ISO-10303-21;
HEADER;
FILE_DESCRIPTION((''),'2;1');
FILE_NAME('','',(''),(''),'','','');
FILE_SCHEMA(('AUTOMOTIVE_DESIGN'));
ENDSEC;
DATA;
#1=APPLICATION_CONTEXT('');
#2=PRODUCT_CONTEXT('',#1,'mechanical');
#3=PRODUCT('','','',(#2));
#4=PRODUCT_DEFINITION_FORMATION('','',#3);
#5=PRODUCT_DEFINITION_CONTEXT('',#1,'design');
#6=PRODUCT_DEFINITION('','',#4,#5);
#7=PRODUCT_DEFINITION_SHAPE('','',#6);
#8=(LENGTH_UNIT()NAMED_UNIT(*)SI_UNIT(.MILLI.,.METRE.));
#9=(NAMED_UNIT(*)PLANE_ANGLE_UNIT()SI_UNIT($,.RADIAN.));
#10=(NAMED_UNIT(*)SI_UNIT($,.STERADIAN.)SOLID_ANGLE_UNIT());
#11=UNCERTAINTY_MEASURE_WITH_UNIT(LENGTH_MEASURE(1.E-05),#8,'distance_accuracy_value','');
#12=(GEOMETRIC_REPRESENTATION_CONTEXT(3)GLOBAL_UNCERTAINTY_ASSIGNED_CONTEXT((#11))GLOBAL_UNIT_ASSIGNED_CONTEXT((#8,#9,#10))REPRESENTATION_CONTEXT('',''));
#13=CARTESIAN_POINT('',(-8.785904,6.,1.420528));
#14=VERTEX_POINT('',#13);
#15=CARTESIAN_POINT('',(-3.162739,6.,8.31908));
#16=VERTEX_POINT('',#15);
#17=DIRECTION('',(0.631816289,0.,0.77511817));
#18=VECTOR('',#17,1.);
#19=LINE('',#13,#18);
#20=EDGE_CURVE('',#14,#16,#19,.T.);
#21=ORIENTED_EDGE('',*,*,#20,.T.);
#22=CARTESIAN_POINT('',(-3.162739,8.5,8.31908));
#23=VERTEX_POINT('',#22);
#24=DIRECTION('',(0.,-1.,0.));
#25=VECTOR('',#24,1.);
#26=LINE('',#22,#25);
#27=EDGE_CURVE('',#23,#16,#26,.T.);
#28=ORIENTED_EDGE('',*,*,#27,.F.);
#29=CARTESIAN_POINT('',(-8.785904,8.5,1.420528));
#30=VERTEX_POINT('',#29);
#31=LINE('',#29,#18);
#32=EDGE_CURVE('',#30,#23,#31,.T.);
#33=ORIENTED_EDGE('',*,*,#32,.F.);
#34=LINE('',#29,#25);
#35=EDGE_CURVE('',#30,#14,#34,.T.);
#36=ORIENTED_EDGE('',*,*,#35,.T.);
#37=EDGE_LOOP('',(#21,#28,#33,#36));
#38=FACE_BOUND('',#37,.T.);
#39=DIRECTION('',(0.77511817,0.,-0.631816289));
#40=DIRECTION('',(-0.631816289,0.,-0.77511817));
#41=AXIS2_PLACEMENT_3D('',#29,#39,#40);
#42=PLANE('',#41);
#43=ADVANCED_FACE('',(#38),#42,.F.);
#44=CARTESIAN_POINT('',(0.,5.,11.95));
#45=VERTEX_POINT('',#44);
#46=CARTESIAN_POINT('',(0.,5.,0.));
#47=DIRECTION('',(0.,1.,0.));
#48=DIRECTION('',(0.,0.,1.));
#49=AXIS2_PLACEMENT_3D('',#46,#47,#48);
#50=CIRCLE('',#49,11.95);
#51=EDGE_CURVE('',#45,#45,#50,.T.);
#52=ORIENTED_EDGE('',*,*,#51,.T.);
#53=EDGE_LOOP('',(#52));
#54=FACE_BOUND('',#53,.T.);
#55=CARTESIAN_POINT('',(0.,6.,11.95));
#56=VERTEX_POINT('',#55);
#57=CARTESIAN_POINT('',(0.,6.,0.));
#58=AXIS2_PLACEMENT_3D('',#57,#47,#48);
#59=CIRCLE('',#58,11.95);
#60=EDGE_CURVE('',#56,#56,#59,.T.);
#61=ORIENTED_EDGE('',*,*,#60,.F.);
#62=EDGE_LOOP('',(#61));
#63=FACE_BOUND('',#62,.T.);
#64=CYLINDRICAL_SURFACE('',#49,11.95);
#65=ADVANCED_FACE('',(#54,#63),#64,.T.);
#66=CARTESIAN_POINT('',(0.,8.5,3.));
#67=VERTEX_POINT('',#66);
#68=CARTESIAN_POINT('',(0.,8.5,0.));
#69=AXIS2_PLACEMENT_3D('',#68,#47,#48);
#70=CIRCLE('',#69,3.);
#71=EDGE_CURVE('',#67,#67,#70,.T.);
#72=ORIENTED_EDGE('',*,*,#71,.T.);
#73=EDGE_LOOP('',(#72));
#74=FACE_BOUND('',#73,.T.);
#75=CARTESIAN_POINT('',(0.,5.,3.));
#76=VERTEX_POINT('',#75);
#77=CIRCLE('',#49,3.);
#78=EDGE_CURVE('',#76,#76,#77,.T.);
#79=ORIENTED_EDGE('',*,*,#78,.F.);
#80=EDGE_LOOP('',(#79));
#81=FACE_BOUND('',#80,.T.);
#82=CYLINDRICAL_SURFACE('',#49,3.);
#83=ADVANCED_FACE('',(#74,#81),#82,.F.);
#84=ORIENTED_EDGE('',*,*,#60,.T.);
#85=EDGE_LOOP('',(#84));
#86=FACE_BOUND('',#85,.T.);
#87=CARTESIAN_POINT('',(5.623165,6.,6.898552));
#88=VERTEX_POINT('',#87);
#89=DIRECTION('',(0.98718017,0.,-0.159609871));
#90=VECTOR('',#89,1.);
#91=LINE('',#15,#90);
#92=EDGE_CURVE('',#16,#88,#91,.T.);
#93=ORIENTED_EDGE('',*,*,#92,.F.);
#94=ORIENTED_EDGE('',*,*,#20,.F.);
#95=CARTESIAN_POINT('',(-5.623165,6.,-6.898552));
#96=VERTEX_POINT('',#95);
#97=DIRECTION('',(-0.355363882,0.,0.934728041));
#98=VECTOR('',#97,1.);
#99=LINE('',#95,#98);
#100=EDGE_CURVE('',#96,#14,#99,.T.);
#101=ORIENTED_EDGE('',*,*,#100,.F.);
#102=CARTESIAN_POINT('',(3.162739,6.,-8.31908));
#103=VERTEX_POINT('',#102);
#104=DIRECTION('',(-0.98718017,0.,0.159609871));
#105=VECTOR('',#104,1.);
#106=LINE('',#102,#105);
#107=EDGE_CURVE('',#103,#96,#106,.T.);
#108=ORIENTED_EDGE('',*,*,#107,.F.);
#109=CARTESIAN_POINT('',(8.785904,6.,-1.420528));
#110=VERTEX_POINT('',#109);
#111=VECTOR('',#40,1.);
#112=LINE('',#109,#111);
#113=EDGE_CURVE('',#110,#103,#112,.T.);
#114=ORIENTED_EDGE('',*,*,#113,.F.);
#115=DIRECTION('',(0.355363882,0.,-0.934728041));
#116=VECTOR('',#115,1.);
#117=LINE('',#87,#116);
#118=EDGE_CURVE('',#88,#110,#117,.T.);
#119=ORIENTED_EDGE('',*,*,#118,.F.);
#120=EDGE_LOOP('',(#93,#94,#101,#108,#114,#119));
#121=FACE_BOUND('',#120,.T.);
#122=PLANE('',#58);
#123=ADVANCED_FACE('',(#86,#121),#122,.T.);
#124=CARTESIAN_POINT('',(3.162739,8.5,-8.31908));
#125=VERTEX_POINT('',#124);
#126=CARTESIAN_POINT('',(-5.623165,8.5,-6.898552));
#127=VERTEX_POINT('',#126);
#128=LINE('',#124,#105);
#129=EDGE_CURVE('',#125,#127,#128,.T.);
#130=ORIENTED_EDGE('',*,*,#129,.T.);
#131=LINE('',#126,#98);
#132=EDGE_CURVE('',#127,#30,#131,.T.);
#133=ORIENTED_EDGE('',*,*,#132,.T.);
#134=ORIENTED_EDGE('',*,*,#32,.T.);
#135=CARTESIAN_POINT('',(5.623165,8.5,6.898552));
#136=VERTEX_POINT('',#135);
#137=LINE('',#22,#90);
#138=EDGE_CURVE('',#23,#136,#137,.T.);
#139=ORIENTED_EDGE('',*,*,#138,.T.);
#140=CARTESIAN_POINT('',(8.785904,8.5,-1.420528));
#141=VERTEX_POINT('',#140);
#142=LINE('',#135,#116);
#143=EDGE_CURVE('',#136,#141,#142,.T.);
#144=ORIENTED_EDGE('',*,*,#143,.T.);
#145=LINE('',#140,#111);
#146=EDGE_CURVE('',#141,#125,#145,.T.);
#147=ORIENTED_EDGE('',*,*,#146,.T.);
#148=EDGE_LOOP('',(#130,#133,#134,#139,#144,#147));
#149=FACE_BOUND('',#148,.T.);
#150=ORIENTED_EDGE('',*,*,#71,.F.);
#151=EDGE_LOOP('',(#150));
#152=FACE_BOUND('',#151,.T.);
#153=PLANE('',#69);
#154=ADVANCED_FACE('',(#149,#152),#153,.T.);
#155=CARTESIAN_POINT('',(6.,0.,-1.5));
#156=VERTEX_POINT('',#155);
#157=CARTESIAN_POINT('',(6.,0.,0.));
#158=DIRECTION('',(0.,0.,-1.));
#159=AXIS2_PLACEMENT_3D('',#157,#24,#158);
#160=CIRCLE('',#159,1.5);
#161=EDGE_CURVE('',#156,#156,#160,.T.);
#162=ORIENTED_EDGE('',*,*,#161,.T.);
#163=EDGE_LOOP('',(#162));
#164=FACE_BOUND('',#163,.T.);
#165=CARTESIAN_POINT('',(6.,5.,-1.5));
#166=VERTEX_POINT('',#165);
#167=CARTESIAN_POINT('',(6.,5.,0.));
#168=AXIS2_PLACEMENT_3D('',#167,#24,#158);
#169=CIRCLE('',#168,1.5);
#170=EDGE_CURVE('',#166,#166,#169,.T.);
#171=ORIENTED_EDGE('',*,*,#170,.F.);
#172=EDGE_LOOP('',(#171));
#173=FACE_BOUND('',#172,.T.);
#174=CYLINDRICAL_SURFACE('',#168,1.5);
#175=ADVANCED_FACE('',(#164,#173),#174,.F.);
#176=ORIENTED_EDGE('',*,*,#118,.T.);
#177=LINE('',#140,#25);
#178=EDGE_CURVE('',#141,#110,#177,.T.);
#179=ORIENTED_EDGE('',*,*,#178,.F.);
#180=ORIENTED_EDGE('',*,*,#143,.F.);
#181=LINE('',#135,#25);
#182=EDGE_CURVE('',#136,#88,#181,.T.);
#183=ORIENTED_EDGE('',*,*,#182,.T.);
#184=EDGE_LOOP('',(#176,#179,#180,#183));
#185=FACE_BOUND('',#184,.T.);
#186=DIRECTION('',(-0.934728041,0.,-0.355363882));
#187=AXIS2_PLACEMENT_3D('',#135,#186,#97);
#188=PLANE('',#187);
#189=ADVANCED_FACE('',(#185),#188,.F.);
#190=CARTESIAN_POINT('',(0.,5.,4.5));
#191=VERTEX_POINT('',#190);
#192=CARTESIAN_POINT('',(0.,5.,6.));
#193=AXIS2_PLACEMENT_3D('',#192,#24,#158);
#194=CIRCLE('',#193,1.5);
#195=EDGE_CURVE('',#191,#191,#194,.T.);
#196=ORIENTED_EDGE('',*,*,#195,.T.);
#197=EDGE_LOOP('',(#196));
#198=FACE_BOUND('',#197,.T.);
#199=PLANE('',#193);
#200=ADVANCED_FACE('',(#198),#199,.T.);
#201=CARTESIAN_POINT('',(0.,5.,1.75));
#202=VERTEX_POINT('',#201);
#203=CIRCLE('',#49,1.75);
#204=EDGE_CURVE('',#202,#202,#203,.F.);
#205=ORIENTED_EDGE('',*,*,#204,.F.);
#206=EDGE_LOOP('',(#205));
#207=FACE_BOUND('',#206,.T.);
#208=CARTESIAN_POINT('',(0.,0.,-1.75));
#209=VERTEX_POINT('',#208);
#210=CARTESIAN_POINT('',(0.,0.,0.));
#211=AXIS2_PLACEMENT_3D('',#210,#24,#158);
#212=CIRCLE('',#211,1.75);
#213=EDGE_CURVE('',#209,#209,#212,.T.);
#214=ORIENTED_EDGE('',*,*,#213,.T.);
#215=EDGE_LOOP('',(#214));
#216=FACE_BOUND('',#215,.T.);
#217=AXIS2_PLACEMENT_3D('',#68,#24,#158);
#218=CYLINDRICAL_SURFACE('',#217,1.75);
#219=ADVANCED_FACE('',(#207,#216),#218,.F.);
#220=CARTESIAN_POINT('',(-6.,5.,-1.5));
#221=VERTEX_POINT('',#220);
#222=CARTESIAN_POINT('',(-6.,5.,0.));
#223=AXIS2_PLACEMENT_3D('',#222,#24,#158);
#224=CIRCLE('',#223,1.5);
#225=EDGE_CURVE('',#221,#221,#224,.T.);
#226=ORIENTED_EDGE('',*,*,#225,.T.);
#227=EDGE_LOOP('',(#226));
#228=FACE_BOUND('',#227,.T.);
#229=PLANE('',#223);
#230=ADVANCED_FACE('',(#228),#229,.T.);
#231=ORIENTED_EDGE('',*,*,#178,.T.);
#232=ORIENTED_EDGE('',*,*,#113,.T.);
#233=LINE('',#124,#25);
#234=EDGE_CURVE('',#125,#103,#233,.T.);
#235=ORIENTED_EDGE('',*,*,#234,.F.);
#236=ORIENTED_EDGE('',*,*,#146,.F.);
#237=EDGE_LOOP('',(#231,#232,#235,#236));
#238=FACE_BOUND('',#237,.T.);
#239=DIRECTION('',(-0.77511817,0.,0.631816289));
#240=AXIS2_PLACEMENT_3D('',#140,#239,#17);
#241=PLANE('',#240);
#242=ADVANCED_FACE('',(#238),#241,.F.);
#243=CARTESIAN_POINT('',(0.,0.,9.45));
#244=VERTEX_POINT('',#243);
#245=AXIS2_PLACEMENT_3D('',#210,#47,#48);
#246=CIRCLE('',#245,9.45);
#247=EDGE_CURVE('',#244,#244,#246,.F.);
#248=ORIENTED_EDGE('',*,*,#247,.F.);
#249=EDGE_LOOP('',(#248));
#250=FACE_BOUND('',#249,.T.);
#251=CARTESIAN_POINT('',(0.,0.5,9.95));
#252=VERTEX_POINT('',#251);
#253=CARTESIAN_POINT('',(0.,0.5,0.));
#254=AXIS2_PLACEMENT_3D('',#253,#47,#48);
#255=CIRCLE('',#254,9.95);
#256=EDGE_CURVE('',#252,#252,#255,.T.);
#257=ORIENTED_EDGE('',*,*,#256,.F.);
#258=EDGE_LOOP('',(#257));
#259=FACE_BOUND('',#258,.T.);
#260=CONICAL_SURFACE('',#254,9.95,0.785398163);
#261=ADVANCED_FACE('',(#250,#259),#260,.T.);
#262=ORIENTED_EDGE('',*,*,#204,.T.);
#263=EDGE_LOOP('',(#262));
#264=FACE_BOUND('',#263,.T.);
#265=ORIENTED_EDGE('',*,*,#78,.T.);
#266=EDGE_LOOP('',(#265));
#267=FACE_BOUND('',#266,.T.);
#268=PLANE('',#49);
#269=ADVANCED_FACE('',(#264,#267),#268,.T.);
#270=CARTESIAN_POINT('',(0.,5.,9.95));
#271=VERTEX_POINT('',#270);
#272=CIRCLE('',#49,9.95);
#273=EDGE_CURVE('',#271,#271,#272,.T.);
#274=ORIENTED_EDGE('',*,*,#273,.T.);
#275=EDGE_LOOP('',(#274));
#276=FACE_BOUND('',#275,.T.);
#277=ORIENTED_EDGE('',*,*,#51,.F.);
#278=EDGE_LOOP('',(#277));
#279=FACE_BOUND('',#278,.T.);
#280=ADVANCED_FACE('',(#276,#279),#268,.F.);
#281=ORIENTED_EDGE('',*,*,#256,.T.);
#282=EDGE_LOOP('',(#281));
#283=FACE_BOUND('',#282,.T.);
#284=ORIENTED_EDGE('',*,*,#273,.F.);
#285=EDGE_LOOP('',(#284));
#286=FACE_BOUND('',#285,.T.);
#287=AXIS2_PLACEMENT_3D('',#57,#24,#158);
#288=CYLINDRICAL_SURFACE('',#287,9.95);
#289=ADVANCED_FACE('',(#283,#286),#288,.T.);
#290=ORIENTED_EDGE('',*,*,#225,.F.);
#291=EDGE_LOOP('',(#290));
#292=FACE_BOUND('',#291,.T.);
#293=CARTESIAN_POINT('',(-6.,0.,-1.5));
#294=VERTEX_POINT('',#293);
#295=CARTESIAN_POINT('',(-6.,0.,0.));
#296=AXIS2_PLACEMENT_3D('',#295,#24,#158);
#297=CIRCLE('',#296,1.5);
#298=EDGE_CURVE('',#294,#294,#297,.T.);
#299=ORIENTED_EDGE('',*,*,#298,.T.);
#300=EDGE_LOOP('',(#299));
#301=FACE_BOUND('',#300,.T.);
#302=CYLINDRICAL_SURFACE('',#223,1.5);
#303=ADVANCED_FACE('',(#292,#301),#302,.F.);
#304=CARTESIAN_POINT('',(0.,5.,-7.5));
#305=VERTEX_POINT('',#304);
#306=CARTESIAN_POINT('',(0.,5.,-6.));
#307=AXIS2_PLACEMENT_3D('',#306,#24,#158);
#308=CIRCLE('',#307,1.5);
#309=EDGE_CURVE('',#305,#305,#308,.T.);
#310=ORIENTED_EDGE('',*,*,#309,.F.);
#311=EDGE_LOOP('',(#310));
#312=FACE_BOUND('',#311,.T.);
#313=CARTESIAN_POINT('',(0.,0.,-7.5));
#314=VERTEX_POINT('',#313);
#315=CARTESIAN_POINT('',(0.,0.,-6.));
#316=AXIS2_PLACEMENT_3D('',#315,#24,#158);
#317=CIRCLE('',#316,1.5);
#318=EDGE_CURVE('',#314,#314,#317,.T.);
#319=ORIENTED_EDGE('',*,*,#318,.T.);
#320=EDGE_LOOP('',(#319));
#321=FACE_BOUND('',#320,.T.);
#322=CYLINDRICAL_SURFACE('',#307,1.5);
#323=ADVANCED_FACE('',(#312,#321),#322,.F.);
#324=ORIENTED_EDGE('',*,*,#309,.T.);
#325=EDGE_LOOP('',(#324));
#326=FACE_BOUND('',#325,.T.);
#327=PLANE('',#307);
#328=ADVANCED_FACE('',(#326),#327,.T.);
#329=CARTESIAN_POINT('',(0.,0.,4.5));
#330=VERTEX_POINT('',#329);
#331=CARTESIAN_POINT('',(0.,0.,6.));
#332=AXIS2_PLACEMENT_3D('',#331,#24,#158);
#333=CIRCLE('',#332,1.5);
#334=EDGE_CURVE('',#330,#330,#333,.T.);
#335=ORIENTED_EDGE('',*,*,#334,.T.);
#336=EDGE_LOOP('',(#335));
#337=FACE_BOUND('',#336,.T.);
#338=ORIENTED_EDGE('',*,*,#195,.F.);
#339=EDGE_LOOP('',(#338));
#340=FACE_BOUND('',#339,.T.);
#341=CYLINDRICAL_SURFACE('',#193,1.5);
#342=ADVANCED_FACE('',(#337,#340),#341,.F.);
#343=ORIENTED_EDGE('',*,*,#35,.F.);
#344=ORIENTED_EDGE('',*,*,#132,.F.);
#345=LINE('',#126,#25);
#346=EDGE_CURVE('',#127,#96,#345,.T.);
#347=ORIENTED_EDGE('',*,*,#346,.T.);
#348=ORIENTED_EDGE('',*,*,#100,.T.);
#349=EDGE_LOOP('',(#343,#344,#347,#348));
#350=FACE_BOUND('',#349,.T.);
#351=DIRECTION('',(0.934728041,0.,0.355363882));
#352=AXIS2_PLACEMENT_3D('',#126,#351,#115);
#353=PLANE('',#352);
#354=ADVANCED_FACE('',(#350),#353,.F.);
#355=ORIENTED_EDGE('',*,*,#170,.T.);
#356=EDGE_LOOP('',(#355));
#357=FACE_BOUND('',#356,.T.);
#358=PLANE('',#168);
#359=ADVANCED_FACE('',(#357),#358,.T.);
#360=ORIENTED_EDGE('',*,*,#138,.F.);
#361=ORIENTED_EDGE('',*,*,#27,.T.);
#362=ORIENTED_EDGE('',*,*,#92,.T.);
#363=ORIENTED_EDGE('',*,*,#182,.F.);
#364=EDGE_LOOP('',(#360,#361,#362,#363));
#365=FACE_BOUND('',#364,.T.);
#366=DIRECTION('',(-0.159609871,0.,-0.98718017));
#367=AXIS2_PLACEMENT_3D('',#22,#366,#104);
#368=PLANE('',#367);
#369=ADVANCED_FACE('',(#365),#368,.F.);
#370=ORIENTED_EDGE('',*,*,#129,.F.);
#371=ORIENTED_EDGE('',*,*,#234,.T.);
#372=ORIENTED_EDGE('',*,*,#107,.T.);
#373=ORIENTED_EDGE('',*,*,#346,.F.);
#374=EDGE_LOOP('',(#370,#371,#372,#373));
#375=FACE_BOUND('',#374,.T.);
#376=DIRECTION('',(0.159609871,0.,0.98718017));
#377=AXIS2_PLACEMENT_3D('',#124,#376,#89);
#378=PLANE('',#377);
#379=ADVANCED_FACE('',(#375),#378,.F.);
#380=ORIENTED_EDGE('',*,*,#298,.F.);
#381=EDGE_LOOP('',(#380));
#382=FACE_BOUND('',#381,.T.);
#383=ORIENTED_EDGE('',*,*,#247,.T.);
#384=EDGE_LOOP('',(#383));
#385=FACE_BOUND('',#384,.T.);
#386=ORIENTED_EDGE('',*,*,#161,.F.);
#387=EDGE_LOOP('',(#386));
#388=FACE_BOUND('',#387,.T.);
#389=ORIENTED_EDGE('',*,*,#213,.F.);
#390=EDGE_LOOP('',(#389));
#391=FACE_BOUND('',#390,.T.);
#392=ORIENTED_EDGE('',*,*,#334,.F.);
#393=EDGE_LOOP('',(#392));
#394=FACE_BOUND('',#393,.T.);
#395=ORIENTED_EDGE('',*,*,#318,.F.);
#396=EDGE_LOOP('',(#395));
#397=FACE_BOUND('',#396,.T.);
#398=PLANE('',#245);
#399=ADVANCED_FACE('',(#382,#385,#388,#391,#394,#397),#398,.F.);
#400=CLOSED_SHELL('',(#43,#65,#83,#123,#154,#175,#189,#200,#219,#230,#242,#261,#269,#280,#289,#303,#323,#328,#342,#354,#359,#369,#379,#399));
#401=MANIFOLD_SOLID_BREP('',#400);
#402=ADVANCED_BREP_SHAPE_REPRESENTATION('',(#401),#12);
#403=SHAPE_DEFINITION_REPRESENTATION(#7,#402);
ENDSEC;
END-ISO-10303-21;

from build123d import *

# Parameters (mm, degrees)
ESQUISSE1_R             = 9.95
BOSS_EXTRU_1_DEPTH      = 6
BOSS_EXTRU_2_DEPTH      = 2.5
ESQUISSE3_R             = 11.95
ESQUISSE3_R_2           = 9.95
BOSS_EXTRU_3_DEPTH      = 1
ESQUISSE4_R             = 1.5
ENL_V_MAT_EXTRU_1_DEPTH = 5
ESQUISSE5_R             = 1.75
ENL_V_MAT_EXTRU_2_DEPTH = 9.5
ESQUISSE6_R             = 3
ENL_V_MAT_EXTRU_3_DEPTH = 3.5
CHANFREIN1_SIZE         = 0.5


with BuildPart() as part:
    # Esquisse1 → Boss.-Extru.1 (new body)
    with BuildSketch(Plane(origin=(0, 0, 0), x_dir=(1, 0, 0), z_dir=(0, 1, 0))):
        Circle(ESQUISSE1_R)
    extrude(amount=BOSS_EXTRU_1_DEPTH)

    # Esquisse2 → Boss.-Extru.2 (add)
    with BuildSketch(Plane(origin=(0, 6, 0), x_dir=(1, 0, 0), z_dir=(0, 1, 0))):
        Polygon((-3.162738548, -8.319079569), (5.623164969, -6.898551713), (8.785903517, 1.420527856), (3.162738548, 8.319079569), (-5.623164969, 6.898551713), (-8.785903517, -1.420527856), align=None)
    extrude(amount=BOSS_EXTRU_2_DEPTH)

    # Esquisse3 → Boss.-Extru.3 (add)
    with BuildSketch(Plane(origin=(0, 6, 0), x_dir=(1, 0, 0), z_dir=(0, 1, 0))):
        Circle(ESQUISSE3_R)
        Circle(ESQUISSE3_R_2, mode=Mode.SUBTRACT)
    extrude(amount=-BOSS_EXTRU_3_DEPTH)

    # Esquisse4 → Enlèv. mat.-Extru.1 (cut)
    with BuildSketch(Plane.XZ):
        with Locations((0, 6)):
            Circle(ESQUISSE4_R)
        with Locations((6, 0)):
            Circle(ESQUISSE4_R)
        with Locations((0, -6)):
            Circle(ESQUISSE4_R)
        with Locations((-6, 0)):
            Circle(ESQUISSE4_R)
    extrude(amount=-ENL_V_MAT_EXTRU_1_DEPTH, mode=Mode.SUBTRACT)

    # Esquisse5 → Enlèv. mat.-Extru.2 (cut, through all)
    with BuildSketch(Plane.XZ):
        Circle(ESQUISSE5_R)
    extrude(amount=-ENL_V_MAT_EXTRU_2_DEPTH, mode=Mode.SUBTRACT)

    # Esquisse6 → Enlèv. mat.-Extru.3 (cut)
    with BuildSketch(Plane(origin=(0, 8.5, 0), x_dir=(1, 0, 0), z_dir=(0, 1, 0))):
        Circle(ESQUISSE6_R)
    extrude(amount=-ENL_V_MAT_EXTRU_3_DEPTH, mode=Mode.SUBTRACT)

    # Chanfrein1
    chanfrein1_edges = [part.edges().sort_by_distance(p)[0] for p in [
        (-9.95, 0, 0),
    ]]
    chamfer(chanfrein1_edges, length=CHANFREIN1_SIZE)


solid = part.part
